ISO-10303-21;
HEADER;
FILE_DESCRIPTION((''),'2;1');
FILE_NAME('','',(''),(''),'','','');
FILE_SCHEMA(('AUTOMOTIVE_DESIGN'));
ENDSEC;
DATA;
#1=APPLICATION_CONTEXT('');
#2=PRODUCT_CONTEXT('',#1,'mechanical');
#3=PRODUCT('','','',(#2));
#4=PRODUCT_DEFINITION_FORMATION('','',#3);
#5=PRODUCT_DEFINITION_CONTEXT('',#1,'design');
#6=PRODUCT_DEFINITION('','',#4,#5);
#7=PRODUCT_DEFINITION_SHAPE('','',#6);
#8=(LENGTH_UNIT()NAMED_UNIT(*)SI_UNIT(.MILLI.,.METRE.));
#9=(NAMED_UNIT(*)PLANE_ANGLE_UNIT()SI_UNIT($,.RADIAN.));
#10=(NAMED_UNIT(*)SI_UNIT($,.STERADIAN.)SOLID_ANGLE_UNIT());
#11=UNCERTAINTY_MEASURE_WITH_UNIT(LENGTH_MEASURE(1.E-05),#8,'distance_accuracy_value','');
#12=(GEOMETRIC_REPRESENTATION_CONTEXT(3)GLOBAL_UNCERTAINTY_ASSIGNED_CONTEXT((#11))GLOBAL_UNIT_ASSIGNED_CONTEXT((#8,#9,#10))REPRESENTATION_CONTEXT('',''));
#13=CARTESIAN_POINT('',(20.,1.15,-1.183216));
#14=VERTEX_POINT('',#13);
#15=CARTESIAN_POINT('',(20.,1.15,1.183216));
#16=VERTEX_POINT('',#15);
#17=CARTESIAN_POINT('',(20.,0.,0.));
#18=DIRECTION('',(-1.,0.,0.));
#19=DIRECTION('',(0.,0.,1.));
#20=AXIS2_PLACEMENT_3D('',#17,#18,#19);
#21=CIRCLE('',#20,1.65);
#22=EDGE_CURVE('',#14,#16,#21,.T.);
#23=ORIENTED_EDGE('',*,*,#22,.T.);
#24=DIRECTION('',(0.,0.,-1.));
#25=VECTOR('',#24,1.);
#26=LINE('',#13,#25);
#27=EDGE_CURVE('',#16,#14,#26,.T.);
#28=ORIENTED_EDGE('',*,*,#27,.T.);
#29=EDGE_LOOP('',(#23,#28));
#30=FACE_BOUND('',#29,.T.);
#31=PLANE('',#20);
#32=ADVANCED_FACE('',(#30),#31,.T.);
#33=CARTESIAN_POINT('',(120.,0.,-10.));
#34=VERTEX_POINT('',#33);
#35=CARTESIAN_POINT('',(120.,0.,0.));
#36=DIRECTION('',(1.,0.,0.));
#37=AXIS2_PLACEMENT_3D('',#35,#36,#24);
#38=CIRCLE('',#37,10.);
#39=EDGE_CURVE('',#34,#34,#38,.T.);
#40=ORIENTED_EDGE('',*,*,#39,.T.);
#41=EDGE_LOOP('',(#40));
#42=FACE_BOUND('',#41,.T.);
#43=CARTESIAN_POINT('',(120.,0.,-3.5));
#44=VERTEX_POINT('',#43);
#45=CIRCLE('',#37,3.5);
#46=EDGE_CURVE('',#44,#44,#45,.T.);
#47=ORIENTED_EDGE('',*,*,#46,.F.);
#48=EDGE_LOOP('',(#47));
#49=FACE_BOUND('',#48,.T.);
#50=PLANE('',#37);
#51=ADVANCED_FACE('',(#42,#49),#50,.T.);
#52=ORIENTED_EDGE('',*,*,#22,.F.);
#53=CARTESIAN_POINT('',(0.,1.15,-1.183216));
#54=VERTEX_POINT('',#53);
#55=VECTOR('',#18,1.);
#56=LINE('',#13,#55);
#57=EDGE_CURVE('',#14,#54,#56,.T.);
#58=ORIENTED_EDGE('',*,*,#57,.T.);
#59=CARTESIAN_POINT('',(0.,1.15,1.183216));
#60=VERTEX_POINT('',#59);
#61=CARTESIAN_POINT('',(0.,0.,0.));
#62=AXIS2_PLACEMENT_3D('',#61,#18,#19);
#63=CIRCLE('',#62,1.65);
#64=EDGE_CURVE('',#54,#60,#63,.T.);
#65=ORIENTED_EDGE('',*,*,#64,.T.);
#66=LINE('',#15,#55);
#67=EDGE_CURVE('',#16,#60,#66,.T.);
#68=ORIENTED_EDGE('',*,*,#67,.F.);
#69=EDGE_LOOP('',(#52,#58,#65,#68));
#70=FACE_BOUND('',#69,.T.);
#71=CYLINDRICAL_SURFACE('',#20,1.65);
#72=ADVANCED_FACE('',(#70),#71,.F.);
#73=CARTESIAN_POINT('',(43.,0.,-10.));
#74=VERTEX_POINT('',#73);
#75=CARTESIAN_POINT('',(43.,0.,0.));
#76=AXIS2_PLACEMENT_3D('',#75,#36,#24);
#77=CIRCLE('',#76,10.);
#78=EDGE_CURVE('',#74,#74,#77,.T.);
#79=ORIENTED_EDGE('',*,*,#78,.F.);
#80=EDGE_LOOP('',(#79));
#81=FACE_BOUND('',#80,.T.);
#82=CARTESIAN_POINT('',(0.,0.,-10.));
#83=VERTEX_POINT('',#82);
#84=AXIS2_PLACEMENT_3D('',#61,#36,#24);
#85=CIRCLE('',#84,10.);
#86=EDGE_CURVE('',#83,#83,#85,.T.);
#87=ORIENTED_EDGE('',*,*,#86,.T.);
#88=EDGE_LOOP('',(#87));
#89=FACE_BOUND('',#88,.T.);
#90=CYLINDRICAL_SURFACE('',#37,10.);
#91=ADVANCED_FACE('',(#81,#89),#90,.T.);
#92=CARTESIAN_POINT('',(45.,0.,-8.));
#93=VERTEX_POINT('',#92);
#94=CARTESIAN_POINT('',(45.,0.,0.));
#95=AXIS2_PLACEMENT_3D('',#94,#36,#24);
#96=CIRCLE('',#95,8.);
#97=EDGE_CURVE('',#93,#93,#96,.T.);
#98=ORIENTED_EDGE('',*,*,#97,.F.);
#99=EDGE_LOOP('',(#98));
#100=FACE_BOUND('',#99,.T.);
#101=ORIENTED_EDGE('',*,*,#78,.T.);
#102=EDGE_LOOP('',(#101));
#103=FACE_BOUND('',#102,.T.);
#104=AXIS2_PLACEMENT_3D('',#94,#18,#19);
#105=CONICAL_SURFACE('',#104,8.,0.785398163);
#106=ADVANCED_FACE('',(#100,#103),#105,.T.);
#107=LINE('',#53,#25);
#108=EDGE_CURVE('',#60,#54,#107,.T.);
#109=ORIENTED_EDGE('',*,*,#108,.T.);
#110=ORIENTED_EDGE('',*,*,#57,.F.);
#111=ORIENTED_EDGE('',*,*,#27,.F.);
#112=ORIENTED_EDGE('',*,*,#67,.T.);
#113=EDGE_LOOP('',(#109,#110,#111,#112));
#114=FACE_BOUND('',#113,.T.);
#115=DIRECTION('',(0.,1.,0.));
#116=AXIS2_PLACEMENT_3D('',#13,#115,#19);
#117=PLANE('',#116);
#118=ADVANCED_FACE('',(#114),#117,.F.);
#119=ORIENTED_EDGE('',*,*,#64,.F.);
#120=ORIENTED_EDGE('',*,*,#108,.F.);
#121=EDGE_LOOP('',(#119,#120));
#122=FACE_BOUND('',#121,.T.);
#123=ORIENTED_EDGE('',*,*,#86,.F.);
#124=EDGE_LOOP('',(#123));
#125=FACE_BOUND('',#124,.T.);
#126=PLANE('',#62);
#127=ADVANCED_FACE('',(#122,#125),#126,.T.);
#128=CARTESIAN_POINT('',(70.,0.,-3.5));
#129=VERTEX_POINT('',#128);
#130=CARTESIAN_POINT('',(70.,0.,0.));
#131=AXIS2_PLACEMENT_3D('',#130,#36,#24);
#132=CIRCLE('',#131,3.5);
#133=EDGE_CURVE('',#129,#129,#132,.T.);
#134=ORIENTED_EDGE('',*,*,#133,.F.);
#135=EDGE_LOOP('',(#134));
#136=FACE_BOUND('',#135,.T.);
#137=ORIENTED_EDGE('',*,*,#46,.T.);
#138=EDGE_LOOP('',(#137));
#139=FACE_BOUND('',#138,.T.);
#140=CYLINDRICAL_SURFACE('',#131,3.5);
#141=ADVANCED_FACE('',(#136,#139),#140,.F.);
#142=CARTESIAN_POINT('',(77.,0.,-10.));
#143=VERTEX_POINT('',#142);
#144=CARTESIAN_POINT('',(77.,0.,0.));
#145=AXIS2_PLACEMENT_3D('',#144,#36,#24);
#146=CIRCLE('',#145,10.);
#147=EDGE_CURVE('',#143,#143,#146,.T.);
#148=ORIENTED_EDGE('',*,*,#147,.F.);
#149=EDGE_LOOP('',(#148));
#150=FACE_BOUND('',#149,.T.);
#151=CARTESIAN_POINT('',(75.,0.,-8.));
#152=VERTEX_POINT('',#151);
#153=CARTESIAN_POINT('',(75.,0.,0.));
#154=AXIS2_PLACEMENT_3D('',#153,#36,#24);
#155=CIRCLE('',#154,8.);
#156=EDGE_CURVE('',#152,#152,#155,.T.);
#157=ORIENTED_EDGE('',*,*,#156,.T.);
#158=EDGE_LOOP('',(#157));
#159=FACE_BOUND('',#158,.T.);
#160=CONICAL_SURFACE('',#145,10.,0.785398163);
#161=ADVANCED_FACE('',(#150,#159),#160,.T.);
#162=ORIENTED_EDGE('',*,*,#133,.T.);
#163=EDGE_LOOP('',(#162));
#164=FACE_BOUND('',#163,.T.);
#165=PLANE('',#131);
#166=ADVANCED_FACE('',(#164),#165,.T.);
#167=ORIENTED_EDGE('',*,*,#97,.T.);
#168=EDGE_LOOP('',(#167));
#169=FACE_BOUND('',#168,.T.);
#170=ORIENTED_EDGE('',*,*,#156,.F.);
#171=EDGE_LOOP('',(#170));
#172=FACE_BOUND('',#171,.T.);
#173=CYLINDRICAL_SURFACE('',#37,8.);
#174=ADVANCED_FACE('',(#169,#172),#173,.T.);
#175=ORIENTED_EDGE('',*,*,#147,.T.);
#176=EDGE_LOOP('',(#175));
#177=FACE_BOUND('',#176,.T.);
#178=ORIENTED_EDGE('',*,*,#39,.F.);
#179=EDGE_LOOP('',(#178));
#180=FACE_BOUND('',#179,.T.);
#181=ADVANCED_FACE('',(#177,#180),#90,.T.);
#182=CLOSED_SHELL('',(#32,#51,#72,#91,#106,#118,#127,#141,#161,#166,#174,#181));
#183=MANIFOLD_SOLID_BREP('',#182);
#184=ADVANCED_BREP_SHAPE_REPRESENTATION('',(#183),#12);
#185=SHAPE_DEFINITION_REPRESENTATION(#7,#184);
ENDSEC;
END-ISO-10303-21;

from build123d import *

# Parameters (mm, degrees)
CUT_EXTRUDE1_DEPTH = 20
SKETCH5_R          = 3.5
CUT_EXTRUDE2_DEPTH = 50


with BuildPart() as part:
    # Sketch2 → Revolve1 (revolve)
    with BuildSketch(Plane.XY, mode=Mode.PRIVATE) as revolve1_sk:
        Polygon((0, 0), (0, 10), (43, 10), (45, 8), (75, 8), (77, 10), (120, 10), (120, 4), (120, 0), align=None)
    revolve(revolve1_sk.sketch.rotate(Axis((120, 0, 0), (-1, 0, 0)), 90), axis=Axis((120, 0, 0), (-1, 0, 0)))

    # Sketch3 → Cut-Extrude1 (cut)
    with BuildSketch(Plane.ZY):
        with BuildLine():
            Line((-1.183215957, 1.15), (1.183215957, 1.15))
            ThreePointArc((1.183215957, 1.15), (0, -1.65), (-1.183215957, 1.15))
        make_face()
    extrude(amount=-CUT_EXTRUDE1_DEPTH, mode=Mode.SUBTRACT)

    # Sketch5 → Cut-Extrude2 (cut)
    with BuildSketch(Plane(origin=(120, 0, 0), x_dir=(0, 0, -1), z_dir=(1, 0, 0))):
        Circle(SKETCH5_R)
    extrude(amount=-CUT_EXTRUDE2_DEPTH, mode=Mode.SUBTRACT)


solid = part.part
